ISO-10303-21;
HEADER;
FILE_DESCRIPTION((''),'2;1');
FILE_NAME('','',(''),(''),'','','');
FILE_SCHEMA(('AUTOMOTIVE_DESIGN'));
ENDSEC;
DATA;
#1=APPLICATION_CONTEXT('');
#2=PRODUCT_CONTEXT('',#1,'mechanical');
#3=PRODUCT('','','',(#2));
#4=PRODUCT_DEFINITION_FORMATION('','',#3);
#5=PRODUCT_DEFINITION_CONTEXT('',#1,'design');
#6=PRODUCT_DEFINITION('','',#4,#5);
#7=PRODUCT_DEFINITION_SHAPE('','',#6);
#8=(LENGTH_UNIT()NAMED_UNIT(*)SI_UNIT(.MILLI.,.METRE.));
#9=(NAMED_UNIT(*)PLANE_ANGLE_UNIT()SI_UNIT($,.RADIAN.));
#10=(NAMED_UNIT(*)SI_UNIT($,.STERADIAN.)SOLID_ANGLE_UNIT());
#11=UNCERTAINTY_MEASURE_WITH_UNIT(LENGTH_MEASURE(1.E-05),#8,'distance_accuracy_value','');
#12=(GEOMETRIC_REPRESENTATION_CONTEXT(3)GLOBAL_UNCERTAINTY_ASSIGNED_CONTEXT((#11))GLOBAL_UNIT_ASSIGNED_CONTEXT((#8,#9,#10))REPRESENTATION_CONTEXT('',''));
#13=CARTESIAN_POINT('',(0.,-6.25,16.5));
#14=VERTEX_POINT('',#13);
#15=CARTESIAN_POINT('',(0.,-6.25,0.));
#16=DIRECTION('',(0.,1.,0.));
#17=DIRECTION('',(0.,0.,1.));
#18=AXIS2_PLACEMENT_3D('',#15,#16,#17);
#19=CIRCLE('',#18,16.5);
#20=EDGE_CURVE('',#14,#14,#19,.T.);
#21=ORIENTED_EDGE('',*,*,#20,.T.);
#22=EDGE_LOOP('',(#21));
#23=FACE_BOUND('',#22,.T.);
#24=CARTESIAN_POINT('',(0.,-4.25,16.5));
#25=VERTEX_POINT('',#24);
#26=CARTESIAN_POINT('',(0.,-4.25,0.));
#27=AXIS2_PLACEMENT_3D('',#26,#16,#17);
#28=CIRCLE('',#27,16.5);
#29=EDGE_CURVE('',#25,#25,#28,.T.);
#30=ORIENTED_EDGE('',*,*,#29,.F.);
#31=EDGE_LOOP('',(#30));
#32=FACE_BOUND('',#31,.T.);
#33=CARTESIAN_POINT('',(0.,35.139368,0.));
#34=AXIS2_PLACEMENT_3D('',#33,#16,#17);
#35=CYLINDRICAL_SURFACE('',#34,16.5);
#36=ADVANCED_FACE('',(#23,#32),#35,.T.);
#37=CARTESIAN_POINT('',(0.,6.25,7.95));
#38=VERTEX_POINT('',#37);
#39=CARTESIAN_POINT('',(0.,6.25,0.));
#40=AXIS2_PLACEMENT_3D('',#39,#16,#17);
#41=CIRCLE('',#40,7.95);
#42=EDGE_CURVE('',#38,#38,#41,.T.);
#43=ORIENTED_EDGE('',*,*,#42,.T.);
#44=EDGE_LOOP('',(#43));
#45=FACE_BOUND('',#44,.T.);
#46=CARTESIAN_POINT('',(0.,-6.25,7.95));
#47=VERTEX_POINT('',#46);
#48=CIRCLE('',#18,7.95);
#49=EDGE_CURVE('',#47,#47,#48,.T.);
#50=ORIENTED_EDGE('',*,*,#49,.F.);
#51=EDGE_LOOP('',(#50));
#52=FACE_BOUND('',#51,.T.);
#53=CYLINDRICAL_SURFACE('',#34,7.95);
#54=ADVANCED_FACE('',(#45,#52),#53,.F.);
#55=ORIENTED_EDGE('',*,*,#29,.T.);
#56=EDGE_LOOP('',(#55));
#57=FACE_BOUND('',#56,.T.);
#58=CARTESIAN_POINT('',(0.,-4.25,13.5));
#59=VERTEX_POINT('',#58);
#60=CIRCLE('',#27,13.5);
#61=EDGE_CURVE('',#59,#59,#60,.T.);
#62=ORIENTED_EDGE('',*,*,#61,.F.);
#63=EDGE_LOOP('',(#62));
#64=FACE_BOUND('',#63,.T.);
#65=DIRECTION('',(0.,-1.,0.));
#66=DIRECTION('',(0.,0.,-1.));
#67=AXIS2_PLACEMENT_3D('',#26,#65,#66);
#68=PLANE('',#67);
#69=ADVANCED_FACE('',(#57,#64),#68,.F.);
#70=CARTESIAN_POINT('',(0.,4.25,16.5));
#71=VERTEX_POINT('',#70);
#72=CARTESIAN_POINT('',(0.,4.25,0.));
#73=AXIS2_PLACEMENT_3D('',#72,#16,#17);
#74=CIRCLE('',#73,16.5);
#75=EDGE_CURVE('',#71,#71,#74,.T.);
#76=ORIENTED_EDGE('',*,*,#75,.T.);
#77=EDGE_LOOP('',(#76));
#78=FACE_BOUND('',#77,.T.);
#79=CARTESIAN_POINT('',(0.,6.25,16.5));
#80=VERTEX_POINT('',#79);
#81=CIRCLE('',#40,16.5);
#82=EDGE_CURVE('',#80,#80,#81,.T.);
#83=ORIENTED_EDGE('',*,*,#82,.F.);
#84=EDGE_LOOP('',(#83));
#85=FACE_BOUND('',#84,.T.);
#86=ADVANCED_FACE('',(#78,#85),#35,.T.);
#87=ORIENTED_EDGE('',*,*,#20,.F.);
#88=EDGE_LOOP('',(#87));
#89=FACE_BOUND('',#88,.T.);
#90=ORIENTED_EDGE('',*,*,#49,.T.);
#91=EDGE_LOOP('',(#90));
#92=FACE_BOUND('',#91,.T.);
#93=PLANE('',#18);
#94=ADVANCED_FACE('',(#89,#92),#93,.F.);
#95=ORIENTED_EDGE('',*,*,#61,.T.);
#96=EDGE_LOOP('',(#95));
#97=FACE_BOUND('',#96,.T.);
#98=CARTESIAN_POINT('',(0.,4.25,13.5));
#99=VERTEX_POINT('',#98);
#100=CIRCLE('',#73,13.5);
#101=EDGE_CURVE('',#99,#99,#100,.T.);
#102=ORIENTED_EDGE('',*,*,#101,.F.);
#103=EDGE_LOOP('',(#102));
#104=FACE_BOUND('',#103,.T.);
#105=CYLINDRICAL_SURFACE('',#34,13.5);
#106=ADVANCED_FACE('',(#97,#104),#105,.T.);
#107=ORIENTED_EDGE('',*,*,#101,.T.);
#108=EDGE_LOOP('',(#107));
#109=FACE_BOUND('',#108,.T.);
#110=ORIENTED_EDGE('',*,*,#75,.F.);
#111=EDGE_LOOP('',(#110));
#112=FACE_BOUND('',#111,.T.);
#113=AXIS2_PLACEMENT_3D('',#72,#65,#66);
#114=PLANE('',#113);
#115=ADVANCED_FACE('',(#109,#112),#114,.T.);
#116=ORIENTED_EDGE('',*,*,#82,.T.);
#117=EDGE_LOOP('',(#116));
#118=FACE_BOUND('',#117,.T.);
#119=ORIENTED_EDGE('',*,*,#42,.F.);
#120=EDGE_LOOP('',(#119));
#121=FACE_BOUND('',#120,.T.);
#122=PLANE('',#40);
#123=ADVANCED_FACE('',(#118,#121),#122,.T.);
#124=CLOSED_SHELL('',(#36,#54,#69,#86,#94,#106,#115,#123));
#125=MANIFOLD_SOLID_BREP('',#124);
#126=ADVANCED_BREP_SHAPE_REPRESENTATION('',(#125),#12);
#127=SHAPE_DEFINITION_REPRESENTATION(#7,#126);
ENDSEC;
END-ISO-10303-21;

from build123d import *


with BuildPart() as part:
    # 草图1 → 旋转1 (revolve)
    with BuildSketch(Plane.XY):
        Polygon((-7.95, -6.25), (-16.5, -6.25), (-16.5, -4.25), (-13.5, -4.25), (-13.5, 4.25), (-16.5, 4.25), (-16.5, 6.25), (-7.95, 6.25), align=None)
    revolve(axis=Axis((0, 35.139368095, 0), (0, -1, 0)))


solid = part.part
